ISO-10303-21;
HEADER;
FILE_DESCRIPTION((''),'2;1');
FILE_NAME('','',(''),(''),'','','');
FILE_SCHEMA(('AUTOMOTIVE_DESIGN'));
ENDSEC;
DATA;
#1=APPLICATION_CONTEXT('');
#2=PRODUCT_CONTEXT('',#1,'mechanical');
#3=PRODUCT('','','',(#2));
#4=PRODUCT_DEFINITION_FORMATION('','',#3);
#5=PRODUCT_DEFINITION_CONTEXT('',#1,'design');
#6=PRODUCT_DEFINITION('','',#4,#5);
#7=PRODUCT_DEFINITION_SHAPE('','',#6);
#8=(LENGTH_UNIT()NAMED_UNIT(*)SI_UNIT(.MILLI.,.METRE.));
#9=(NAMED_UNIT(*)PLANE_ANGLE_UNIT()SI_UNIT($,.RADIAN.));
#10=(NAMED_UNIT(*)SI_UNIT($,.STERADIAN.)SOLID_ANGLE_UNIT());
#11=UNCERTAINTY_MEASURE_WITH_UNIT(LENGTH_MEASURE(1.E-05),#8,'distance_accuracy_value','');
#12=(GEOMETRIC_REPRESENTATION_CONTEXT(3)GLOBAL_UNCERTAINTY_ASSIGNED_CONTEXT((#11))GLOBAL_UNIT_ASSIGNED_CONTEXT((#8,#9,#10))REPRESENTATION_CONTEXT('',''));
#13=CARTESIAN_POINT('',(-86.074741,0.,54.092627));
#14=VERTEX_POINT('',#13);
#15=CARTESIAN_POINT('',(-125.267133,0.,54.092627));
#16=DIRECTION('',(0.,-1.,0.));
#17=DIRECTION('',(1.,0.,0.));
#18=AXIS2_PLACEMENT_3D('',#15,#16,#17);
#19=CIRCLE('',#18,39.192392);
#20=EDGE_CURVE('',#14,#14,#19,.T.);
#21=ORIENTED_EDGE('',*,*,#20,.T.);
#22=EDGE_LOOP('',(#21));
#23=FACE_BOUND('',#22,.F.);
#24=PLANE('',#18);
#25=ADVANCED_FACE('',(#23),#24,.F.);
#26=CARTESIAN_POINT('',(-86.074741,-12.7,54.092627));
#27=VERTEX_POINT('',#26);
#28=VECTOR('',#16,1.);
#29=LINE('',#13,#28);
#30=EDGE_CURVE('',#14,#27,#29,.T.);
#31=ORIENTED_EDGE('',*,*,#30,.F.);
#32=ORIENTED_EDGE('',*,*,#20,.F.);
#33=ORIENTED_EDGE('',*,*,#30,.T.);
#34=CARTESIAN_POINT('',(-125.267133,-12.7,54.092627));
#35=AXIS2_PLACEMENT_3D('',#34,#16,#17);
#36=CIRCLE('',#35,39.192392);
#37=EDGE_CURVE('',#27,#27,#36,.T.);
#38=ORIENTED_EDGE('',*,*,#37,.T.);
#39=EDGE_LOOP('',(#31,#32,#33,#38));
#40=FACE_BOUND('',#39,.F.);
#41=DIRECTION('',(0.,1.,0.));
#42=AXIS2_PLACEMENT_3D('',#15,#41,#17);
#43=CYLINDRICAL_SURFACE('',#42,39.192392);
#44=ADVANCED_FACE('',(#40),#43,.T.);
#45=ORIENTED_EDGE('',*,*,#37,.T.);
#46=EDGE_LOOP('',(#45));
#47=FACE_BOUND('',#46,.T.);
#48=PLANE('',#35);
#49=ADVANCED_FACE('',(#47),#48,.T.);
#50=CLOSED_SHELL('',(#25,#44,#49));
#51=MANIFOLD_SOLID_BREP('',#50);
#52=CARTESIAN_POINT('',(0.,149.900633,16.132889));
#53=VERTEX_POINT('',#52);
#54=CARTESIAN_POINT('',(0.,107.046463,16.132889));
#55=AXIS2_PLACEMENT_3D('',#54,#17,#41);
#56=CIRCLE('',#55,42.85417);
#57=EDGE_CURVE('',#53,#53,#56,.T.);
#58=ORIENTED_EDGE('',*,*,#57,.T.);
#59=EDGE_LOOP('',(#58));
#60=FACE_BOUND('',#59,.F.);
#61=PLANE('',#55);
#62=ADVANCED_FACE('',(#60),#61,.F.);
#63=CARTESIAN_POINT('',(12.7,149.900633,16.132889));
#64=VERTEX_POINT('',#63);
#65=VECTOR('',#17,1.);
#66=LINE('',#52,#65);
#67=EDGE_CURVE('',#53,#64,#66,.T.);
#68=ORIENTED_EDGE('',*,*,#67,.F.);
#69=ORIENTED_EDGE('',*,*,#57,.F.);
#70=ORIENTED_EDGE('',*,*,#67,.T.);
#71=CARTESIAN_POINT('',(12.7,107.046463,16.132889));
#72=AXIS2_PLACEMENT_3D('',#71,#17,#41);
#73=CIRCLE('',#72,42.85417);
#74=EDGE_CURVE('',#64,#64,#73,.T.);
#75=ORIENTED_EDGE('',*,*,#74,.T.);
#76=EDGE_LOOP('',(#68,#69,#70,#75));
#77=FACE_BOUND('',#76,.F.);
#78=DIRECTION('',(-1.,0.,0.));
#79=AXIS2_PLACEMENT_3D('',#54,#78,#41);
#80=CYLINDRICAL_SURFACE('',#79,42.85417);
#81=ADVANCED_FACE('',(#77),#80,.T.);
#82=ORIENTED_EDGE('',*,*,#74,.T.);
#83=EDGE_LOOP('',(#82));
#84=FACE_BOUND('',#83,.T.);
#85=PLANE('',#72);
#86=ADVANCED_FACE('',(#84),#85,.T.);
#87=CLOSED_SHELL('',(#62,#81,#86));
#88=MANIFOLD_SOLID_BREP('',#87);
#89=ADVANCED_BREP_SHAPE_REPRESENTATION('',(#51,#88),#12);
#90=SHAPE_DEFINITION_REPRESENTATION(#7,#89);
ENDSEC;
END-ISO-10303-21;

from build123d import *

# Parameters (mm, degrees)
F0_R     = 39.192392
F1_DEPTH = 12.7
F2_R     = 42.85417
F3_DEPTH = 12.7


with BuildPart() as f1:
    # F0 (on Front) → F1 (new body)
    with BuildSketch(Plane.XZ):
        with Locations((-125.267133, 54.092627)):
            Circle(F0_R)
    extrude(amount=F1_DEPTH)


with BuildPart() as f3:
    # F2 (on Right) → F3 (new body)
    with BuildSketch(Plane.YZ):
        with Locations((107.046463, 16.132889)):
            Circle(F2_R)
    extrude(amount=F3_DEPTH)


solid = Compound([f1.part, f3.part])
